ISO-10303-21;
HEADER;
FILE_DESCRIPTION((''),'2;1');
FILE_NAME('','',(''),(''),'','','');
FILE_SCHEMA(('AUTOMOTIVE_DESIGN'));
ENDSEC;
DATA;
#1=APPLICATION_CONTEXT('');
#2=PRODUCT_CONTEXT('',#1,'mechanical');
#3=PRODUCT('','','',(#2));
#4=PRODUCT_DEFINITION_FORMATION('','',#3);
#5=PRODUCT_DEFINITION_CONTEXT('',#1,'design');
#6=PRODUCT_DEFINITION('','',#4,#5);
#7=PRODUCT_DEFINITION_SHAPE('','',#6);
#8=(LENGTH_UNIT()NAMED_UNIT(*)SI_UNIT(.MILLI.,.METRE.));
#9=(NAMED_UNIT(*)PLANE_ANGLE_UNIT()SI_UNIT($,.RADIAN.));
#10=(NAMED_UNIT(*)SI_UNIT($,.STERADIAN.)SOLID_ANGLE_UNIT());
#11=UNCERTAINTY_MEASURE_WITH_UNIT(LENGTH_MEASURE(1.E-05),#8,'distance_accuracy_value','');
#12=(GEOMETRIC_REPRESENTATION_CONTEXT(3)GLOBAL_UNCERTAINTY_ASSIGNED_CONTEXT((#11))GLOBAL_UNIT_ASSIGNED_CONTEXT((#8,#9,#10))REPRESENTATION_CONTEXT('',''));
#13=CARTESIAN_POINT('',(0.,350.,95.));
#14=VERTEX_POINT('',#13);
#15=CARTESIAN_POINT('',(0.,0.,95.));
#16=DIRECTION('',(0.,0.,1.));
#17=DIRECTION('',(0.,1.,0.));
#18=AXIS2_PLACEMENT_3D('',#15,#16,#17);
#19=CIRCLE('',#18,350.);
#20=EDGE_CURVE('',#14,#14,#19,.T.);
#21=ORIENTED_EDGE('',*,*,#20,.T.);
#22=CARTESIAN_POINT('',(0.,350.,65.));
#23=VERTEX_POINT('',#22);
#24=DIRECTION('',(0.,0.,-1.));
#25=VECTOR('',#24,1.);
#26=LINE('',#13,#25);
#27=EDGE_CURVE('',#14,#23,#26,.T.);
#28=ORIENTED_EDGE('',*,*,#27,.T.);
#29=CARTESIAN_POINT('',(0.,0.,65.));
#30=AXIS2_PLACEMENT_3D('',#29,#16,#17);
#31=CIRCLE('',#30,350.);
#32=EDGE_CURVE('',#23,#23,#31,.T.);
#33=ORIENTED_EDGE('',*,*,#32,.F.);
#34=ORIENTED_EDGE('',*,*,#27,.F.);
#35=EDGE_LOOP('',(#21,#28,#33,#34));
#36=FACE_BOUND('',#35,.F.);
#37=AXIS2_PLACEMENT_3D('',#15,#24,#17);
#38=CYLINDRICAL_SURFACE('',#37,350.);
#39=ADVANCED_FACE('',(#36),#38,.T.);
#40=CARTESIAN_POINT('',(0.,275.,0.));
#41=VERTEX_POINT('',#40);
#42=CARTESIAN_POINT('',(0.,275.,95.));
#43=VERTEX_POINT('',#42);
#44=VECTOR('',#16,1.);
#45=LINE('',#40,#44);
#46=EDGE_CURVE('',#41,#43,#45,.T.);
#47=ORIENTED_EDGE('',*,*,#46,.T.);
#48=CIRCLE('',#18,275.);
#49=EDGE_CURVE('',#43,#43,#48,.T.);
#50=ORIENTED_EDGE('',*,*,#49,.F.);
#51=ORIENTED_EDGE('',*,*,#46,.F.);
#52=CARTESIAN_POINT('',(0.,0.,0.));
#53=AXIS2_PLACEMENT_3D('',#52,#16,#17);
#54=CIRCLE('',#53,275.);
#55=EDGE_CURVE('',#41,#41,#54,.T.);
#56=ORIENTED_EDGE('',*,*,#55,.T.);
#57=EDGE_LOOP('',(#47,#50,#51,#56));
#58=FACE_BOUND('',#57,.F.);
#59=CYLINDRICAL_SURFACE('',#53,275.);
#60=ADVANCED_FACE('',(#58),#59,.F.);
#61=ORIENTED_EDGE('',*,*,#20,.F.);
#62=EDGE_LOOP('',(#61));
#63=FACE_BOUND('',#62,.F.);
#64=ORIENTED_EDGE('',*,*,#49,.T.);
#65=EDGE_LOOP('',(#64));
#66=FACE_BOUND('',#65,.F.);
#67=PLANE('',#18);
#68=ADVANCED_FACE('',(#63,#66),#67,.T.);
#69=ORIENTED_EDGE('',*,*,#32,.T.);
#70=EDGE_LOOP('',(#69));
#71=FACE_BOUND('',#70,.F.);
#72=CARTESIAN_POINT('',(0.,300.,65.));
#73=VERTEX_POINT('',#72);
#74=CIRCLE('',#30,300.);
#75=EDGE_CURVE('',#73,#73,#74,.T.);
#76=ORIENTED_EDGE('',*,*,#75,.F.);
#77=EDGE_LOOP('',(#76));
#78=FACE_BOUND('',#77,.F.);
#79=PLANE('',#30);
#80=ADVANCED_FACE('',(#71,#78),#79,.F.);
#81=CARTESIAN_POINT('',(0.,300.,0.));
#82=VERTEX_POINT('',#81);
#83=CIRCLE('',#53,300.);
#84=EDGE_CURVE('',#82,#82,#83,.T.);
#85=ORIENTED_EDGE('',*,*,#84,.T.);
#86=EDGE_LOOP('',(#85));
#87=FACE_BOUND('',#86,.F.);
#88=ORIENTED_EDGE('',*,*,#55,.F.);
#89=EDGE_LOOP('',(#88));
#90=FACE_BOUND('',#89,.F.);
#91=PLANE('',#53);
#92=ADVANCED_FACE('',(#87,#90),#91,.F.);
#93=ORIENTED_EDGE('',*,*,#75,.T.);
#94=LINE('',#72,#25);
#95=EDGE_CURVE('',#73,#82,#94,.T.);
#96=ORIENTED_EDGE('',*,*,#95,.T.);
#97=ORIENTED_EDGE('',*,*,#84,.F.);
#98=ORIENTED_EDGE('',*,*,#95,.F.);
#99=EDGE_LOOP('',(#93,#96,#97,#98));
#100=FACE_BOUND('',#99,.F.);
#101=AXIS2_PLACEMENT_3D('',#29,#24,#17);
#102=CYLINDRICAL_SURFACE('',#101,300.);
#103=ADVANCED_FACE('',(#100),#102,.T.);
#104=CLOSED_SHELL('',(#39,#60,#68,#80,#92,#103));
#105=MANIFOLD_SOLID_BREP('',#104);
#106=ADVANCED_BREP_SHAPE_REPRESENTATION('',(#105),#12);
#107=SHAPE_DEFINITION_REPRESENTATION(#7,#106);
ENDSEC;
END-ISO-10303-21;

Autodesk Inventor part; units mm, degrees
ref_plane "YZ Plane" through (0, 0, 0) normal (1, 0, 0) x (0, 1, 0)
ref_plane "XZ Plane" through (0, 0, 0) normal (0, 1, 0) x (-1, 0, 0)
ref_plane "XY Plane" through (0, 0, 0) normal (0, 0, 1) x (1, 0, 0)
sketch "Sketch1" plane through (0, 0, 0) normal (1, 0, 0) x (0, 0, -1)
  line L0 (-95, 0) -> (-95, 350)
  line L1 (-95, 350) -> (-65, 350)
  line L2 (-65, 350) -> (-65, 300)
  line L3 (-65, 300) -> (0, 300)
  line L4 (0, 300) -> (0, 0)
  line L5 (0, 0) -> (-95, 0)
  dimension "d0" = 700
  dimension "d1" = 600
  dimension "d3" = 65
  dimension "d12" = 30
revolve "Revolution1" add sketch "Sketch1" angle 360 about axis through (0, 0, 0) along (0, 0, 1)
sketch "Sketch2" plane through (0, 0, 0) normal (0, 0, -1) x (-1, 0, 0)
  circle A0 centre (0, 0) radius 300 projected
  point P0 (0, 0)
hole "Hole1" at (0, 0, 0) direction (0, 0, 1) diameter 550 end through all
equation "\"d3\" = glasschudick"
equation "\"glasschudick\" = 65"
properties part number "glassSchutz"
